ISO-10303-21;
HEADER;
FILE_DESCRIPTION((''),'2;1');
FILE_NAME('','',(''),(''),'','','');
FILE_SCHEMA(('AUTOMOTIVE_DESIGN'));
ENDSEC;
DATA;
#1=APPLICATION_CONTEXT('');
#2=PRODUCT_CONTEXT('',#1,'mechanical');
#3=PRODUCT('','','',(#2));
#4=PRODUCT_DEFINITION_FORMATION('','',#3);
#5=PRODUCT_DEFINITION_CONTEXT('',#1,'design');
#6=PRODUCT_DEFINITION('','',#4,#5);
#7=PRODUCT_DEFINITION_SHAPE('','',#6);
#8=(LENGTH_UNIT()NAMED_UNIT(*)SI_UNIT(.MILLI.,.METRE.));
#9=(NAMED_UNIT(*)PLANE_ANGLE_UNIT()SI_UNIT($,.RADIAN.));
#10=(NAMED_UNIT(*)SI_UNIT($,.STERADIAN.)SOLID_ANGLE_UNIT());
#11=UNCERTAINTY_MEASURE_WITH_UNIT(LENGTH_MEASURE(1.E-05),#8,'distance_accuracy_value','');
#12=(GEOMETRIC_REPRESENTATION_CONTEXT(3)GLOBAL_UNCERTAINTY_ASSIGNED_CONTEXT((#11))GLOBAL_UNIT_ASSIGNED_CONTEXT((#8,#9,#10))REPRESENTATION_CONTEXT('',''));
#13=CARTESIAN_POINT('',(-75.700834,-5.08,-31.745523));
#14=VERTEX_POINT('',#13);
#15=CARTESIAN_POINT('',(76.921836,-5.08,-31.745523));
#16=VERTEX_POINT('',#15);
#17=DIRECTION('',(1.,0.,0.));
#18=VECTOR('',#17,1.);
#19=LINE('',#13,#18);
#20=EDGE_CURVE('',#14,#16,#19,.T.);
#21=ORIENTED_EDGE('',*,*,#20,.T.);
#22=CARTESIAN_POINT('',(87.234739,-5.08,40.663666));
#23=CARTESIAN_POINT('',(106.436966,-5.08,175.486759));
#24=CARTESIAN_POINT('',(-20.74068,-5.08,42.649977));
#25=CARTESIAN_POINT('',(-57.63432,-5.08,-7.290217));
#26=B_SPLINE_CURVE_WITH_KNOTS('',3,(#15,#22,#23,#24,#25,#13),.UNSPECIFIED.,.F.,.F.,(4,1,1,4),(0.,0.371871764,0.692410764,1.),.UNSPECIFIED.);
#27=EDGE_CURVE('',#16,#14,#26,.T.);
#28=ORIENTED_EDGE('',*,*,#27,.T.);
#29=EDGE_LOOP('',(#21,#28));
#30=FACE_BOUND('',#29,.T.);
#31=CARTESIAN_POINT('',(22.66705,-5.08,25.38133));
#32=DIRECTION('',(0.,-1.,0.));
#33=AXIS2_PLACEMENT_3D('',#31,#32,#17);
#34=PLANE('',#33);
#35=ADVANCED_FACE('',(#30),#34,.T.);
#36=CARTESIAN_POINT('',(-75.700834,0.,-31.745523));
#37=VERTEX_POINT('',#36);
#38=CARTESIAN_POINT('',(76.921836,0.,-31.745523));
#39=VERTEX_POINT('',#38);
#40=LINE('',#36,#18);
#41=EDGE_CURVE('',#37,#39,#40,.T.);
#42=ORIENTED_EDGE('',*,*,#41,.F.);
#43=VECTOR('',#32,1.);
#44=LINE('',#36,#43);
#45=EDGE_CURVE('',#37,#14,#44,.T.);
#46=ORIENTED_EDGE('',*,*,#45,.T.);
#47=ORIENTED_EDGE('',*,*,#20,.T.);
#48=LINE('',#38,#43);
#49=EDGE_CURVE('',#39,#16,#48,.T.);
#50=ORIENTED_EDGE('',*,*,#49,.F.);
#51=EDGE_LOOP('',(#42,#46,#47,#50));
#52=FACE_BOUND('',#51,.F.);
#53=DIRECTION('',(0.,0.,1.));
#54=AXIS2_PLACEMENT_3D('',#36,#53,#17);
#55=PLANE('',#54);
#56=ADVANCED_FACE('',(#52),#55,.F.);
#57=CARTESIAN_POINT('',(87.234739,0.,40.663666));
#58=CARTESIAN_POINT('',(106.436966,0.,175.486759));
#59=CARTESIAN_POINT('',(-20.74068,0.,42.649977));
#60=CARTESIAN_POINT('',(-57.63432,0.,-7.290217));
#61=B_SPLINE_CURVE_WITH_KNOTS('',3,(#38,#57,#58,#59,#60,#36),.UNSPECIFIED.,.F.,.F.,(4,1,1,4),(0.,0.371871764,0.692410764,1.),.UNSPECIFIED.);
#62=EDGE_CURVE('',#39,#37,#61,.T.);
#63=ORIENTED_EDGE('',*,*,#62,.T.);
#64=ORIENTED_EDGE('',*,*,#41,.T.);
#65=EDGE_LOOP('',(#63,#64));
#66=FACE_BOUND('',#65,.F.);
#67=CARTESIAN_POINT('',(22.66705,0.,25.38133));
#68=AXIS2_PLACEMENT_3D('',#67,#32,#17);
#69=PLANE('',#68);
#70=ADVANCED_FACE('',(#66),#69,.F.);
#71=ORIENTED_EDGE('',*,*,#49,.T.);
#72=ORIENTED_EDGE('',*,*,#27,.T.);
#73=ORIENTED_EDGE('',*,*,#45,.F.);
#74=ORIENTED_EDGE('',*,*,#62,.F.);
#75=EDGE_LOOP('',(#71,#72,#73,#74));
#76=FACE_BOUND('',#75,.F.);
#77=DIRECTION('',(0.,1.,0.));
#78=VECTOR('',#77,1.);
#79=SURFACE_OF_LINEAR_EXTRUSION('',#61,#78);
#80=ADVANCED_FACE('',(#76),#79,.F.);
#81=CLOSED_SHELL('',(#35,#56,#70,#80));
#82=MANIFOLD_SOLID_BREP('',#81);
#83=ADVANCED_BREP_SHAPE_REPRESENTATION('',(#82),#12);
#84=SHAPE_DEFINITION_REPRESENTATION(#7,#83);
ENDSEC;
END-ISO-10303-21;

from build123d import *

# Parameters (mm, degrees)
F1_DEPTH = 5.08


with BuildPart() as f1:
    # F0 (on Front) → F1 (new body)
    with BuildSketch(Plane.XZ):
        with BuildLine():
            add(Edge.make_bspline(
                [(76.9218355417, -31.7455232143), (87.2347392868, 40.6636657896), (106.4369664209, 175.4867585584), (-20.7406795338, 42.6499773302), (-57.6343199308, -7.2902173221), (-75.7008343935, -31.7455232143)],
                knots=[0, 0, 0, 0, 0.3718717639, 0.6924107638, 1, 1, 1, 1], degree=3))
            Line((-75.7008343935, -31.7455232143), (76.9218355417, -31.7455232143))
        make_face()
    extrude(amount=F1_DEPTH)


solid = f1.part
